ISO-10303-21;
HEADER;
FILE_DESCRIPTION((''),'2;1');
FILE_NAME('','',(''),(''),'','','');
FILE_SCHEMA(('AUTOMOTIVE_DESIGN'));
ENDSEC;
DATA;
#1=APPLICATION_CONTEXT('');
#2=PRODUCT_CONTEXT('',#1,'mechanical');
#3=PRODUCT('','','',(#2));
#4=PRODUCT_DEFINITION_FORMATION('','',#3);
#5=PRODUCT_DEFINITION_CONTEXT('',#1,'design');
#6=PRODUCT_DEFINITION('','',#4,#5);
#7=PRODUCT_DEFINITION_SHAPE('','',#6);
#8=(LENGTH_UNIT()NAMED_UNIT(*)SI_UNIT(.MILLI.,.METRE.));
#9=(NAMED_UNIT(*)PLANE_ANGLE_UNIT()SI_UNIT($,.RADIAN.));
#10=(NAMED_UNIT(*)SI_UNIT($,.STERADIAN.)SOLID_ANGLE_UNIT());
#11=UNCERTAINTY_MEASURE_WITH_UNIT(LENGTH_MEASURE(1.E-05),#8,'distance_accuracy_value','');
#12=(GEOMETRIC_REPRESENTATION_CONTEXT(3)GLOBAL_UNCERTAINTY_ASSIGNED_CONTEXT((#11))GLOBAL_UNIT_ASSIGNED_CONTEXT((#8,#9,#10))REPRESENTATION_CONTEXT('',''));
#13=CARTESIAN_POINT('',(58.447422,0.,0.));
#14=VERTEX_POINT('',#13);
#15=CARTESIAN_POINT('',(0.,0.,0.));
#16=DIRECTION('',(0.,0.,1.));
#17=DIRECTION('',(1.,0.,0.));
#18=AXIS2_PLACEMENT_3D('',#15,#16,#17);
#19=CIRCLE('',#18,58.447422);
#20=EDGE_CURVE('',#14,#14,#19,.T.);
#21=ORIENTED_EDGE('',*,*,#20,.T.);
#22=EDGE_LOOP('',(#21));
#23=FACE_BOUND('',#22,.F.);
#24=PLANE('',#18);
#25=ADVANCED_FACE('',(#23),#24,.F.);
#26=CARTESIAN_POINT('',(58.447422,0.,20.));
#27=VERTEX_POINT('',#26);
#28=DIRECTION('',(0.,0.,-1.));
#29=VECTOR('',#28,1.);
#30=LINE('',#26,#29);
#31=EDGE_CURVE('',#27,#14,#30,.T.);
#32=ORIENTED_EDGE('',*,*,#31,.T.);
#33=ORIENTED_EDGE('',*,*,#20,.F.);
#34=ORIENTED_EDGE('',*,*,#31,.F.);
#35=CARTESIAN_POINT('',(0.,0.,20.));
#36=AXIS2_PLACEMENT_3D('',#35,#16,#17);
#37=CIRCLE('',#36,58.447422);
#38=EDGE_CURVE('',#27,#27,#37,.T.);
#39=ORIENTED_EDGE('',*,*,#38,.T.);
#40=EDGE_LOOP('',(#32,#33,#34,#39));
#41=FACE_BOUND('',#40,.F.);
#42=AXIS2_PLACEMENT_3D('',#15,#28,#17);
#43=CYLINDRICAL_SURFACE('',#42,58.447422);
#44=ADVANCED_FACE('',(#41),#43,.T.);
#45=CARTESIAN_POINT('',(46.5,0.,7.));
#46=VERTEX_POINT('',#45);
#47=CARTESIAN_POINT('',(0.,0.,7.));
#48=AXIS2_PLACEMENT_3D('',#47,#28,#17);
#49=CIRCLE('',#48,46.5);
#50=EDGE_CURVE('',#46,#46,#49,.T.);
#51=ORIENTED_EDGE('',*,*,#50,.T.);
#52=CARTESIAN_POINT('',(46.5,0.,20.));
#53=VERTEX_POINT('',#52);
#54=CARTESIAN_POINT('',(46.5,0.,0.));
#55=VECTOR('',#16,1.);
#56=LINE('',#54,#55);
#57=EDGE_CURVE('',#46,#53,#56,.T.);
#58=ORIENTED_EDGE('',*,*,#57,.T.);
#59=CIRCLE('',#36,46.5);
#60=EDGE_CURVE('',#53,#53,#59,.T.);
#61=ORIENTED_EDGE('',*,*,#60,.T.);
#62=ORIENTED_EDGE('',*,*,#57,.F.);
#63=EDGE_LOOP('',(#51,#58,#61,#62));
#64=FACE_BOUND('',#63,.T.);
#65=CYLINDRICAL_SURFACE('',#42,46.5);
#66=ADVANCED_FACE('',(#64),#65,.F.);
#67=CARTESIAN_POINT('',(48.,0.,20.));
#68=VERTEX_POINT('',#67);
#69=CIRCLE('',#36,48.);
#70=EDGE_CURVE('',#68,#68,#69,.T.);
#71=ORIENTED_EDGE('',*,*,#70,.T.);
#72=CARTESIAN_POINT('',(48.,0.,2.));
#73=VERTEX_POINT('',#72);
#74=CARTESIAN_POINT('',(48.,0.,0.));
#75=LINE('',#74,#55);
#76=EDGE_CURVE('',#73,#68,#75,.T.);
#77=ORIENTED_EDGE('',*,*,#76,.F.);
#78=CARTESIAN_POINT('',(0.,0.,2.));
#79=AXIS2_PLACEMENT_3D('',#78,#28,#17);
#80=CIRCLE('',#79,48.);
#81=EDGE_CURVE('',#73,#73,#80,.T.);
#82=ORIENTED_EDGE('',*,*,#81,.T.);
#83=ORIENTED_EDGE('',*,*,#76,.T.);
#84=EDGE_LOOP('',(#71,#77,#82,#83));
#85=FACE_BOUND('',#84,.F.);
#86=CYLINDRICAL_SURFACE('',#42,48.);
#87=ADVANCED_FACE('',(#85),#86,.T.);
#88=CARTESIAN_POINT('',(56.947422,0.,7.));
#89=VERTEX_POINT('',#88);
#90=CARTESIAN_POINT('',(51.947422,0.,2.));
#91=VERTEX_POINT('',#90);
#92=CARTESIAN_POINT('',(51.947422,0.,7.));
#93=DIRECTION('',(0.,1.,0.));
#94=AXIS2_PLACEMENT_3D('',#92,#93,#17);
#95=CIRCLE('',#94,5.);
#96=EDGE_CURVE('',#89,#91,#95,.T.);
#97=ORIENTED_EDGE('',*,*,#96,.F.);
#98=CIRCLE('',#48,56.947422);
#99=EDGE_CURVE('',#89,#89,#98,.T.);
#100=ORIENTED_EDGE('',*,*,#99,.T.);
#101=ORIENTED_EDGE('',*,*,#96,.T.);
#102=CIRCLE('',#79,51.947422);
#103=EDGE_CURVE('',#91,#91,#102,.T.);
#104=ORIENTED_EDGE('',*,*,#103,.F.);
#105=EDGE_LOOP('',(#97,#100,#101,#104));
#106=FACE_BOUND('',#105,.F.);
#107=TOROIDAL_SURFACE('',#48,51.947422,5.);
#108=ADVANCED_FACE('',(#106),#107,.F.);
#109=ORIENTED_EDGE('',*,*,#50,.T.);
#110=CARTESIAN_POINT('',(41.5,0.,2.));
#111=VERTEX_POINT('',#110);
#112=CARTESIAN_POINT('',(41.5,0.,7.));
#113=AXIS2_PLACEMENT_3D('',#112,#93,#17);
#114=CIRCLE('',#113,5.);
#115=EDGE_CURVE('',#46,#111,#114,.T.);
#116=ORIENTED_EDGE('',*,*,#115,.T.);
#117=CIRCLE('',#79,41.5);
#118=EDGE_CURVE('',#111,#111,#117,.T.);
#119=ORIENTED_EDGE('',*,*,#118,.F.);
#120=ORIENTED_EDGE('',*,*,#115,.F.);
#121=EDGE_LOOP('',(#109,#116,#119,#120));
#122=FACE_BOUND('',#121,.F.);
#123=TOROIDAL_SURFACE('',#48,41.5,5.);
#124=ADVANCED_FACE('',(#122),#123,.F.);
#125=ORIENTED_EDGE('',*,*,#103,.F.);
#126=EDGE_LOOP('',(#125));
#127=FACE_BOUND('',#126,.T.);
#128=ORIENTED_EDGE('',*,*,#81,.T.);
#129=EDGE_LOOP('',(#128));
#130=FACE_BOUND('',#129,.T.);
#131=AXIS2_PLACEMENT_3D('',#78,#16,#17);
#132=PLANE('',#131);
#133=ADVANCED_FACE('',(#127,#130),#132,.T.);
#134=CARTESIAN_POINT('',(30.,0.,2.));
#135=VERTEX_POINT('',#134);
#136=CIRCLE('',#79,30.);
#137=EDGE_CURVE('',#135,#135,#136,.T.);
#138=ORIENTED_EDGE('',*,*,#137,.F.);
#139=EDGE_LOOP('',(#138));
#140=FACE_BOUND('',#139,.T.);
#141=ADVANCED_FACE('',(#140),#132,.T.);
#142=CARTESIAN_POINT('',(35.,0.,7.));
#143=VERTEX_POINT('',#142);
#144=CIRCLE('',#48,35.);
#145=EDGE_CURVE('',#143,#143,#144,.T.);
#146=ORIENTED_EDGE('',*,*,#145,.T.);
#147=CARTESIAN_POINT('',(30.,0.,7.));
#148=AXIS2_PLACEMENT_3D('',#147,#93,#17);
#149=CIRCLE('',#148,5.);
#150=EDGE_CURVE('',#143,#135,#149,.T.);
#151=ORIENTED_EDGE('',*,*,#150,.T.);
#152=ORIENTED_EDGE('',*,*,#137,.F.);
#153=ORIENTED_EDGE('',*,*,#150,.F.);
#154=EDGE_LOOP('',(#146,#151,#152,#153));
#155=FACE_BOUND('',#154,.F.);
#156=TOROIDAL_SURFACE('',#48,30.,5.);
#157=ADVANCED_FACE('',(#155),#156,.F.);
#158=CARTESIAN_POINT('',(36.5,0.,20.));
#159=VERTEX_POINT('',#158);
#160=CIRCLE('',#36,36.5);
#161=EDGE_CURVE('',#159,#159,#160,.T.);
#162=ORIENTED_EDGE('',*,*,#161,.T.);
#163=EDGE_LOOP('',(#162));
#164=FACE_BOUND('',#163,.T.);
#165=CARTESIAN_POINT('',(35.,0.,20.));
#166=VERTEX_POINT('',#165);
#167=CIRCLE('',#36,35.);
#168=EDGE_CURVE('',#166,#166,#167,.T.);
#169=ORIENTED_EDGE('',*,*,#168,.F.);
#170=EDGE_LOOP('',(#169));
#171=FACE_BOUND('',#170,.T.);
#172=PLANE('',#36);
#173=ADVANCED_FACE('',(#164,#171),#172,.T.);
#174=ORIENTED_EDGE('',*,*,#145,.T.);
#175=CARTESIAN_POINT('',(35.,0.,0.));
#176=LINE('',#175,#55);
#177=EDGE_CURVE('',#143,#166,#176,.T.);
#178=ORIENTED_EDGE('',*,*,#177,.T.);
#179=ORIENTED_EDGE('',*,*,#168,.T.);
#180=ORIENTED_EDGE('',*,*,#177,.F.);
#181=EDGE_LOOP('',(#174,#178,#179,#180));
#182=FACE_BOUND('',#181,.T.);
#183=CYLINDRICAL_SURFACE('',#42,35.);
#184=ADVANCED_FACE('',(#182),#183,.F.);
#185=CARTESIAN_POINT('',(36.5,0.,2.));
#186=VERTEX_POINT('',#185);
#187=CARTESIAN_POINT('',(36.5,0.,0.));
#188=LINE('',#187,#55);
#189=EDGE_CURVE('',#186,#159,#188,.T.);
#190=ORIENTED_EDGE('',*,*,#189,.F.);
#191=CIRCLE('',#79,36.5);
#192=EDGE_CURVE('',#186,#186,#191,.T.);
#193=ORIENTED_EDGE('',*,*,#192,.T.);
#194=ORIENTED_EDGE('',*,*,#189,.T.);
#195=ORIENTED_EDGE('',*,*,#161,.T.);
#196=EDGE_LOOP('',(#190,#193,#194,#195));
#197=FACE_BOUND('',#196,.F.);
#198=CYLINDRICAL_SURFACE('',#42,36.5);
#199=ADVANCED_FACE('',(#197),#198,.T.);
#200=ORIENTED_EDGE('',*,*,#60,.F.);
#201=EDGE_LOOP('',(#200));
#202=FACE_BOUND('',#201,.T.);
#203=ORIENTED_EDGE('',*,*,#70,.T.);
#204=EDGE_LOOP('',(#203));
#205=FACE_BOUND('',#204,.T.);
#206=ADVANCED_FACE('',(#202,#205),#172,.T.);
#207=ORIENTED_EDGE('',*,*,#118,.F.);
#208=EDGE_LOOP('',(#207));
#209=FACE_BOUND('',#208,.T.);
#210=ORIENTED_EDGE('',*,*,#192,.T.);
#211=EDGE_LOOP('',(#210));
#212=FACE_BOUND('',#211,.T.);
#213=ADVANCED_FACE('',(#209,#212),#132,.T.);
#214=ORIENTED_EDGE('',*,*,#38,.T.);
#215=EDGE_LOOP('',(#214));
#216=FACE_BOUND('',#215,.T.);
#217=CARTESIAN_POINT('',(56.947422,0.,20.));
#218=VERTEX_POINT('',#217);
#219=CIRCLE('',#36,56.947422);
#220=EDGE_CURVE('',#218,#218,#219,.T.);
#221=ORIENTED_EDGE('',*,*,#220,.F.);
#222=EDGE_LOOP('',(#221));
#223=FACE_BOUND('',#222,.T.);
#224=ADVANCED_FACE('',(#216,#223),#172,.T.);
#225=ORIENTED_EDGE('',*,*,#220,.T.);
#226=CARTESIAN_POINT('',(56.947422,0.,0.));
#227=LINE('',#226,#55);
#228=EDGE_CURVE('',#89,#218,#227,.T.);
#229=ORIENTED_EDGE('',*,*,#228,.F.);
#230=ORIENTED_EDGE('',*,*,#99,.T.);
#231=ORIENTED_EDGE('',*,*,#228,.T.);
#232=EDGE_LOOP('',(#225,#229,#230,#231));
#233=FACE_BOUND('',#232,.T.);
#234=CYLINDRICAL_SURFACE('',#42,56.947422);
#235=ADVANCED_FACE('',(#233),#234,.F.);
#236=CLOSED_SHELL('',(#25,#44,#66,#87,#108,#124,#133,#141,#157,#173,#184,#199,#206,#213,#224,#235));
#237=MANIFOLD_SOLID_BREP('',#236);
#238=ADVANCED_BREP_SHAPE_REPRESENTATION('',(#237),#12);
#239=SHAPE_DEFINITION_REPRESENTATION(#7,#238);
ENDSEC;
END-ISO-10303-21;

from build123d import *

# Parameters (mm, degrees)
F0_R     = 58.4474221673
F0_R_2   = 56.9474221673
F0_R_3   = 48
F0_R_4   = 46.5
F0_R_5   = 36.5
F0_R_6   = 35
F1_DEPTH = 2
F2_DEPTH = 20
F3_R     = 5


with BuildPart() as f1:
    # F0 (on Top) → F1 (new body)
    with BuildSketch(Plane.XY):
        Circle(F0_R)
        Circle(F0_R_2, mode=Mode.SUBTRACT)
        Circle(F0_R_2)
        Circle(F0_R_3, mode=Mode.SUBTRACT)
        Circle(F0_R_3)
        Circle(F0_R_4, mode=Mode.SUBTRACT)
        Circle(F0_R_4)
        Circle(F0_R_5, mode=Mode.SUBTRACT)
        Circle(F0_R_5)
        Circle(F0_R_6, mode=Mode.SUBTRACT)
        Circle(F0_R_6)
    extrude(amount=F1_DEPTH)

    # F0 (on Top) → F2 (join)
    with BuildSketch(Plane.XY):
        Circle(F0_R)
        Circle(F0_R_2, mode=Mode.SUBTRACT)
        Circle(F0_R_3)
        Circle(F0_R_4, mode=Mode.SUBTRACT)
        Circle(F0_R_5)
        Circle(F0_R_6, mode=Mode.SUBTRACT)
    extrude(amount=F2_DEPTH)

    # F3
    f3_edges = [f1.edges().sort_by_distance(p)[0] for p in [
        (-35, 0, 2),
        (-46.5, 0, 2),
        (-56.947422, 0, 2),
    ]]
    fillet(f3_edges, radius=F3_R)


solid = f1.part
